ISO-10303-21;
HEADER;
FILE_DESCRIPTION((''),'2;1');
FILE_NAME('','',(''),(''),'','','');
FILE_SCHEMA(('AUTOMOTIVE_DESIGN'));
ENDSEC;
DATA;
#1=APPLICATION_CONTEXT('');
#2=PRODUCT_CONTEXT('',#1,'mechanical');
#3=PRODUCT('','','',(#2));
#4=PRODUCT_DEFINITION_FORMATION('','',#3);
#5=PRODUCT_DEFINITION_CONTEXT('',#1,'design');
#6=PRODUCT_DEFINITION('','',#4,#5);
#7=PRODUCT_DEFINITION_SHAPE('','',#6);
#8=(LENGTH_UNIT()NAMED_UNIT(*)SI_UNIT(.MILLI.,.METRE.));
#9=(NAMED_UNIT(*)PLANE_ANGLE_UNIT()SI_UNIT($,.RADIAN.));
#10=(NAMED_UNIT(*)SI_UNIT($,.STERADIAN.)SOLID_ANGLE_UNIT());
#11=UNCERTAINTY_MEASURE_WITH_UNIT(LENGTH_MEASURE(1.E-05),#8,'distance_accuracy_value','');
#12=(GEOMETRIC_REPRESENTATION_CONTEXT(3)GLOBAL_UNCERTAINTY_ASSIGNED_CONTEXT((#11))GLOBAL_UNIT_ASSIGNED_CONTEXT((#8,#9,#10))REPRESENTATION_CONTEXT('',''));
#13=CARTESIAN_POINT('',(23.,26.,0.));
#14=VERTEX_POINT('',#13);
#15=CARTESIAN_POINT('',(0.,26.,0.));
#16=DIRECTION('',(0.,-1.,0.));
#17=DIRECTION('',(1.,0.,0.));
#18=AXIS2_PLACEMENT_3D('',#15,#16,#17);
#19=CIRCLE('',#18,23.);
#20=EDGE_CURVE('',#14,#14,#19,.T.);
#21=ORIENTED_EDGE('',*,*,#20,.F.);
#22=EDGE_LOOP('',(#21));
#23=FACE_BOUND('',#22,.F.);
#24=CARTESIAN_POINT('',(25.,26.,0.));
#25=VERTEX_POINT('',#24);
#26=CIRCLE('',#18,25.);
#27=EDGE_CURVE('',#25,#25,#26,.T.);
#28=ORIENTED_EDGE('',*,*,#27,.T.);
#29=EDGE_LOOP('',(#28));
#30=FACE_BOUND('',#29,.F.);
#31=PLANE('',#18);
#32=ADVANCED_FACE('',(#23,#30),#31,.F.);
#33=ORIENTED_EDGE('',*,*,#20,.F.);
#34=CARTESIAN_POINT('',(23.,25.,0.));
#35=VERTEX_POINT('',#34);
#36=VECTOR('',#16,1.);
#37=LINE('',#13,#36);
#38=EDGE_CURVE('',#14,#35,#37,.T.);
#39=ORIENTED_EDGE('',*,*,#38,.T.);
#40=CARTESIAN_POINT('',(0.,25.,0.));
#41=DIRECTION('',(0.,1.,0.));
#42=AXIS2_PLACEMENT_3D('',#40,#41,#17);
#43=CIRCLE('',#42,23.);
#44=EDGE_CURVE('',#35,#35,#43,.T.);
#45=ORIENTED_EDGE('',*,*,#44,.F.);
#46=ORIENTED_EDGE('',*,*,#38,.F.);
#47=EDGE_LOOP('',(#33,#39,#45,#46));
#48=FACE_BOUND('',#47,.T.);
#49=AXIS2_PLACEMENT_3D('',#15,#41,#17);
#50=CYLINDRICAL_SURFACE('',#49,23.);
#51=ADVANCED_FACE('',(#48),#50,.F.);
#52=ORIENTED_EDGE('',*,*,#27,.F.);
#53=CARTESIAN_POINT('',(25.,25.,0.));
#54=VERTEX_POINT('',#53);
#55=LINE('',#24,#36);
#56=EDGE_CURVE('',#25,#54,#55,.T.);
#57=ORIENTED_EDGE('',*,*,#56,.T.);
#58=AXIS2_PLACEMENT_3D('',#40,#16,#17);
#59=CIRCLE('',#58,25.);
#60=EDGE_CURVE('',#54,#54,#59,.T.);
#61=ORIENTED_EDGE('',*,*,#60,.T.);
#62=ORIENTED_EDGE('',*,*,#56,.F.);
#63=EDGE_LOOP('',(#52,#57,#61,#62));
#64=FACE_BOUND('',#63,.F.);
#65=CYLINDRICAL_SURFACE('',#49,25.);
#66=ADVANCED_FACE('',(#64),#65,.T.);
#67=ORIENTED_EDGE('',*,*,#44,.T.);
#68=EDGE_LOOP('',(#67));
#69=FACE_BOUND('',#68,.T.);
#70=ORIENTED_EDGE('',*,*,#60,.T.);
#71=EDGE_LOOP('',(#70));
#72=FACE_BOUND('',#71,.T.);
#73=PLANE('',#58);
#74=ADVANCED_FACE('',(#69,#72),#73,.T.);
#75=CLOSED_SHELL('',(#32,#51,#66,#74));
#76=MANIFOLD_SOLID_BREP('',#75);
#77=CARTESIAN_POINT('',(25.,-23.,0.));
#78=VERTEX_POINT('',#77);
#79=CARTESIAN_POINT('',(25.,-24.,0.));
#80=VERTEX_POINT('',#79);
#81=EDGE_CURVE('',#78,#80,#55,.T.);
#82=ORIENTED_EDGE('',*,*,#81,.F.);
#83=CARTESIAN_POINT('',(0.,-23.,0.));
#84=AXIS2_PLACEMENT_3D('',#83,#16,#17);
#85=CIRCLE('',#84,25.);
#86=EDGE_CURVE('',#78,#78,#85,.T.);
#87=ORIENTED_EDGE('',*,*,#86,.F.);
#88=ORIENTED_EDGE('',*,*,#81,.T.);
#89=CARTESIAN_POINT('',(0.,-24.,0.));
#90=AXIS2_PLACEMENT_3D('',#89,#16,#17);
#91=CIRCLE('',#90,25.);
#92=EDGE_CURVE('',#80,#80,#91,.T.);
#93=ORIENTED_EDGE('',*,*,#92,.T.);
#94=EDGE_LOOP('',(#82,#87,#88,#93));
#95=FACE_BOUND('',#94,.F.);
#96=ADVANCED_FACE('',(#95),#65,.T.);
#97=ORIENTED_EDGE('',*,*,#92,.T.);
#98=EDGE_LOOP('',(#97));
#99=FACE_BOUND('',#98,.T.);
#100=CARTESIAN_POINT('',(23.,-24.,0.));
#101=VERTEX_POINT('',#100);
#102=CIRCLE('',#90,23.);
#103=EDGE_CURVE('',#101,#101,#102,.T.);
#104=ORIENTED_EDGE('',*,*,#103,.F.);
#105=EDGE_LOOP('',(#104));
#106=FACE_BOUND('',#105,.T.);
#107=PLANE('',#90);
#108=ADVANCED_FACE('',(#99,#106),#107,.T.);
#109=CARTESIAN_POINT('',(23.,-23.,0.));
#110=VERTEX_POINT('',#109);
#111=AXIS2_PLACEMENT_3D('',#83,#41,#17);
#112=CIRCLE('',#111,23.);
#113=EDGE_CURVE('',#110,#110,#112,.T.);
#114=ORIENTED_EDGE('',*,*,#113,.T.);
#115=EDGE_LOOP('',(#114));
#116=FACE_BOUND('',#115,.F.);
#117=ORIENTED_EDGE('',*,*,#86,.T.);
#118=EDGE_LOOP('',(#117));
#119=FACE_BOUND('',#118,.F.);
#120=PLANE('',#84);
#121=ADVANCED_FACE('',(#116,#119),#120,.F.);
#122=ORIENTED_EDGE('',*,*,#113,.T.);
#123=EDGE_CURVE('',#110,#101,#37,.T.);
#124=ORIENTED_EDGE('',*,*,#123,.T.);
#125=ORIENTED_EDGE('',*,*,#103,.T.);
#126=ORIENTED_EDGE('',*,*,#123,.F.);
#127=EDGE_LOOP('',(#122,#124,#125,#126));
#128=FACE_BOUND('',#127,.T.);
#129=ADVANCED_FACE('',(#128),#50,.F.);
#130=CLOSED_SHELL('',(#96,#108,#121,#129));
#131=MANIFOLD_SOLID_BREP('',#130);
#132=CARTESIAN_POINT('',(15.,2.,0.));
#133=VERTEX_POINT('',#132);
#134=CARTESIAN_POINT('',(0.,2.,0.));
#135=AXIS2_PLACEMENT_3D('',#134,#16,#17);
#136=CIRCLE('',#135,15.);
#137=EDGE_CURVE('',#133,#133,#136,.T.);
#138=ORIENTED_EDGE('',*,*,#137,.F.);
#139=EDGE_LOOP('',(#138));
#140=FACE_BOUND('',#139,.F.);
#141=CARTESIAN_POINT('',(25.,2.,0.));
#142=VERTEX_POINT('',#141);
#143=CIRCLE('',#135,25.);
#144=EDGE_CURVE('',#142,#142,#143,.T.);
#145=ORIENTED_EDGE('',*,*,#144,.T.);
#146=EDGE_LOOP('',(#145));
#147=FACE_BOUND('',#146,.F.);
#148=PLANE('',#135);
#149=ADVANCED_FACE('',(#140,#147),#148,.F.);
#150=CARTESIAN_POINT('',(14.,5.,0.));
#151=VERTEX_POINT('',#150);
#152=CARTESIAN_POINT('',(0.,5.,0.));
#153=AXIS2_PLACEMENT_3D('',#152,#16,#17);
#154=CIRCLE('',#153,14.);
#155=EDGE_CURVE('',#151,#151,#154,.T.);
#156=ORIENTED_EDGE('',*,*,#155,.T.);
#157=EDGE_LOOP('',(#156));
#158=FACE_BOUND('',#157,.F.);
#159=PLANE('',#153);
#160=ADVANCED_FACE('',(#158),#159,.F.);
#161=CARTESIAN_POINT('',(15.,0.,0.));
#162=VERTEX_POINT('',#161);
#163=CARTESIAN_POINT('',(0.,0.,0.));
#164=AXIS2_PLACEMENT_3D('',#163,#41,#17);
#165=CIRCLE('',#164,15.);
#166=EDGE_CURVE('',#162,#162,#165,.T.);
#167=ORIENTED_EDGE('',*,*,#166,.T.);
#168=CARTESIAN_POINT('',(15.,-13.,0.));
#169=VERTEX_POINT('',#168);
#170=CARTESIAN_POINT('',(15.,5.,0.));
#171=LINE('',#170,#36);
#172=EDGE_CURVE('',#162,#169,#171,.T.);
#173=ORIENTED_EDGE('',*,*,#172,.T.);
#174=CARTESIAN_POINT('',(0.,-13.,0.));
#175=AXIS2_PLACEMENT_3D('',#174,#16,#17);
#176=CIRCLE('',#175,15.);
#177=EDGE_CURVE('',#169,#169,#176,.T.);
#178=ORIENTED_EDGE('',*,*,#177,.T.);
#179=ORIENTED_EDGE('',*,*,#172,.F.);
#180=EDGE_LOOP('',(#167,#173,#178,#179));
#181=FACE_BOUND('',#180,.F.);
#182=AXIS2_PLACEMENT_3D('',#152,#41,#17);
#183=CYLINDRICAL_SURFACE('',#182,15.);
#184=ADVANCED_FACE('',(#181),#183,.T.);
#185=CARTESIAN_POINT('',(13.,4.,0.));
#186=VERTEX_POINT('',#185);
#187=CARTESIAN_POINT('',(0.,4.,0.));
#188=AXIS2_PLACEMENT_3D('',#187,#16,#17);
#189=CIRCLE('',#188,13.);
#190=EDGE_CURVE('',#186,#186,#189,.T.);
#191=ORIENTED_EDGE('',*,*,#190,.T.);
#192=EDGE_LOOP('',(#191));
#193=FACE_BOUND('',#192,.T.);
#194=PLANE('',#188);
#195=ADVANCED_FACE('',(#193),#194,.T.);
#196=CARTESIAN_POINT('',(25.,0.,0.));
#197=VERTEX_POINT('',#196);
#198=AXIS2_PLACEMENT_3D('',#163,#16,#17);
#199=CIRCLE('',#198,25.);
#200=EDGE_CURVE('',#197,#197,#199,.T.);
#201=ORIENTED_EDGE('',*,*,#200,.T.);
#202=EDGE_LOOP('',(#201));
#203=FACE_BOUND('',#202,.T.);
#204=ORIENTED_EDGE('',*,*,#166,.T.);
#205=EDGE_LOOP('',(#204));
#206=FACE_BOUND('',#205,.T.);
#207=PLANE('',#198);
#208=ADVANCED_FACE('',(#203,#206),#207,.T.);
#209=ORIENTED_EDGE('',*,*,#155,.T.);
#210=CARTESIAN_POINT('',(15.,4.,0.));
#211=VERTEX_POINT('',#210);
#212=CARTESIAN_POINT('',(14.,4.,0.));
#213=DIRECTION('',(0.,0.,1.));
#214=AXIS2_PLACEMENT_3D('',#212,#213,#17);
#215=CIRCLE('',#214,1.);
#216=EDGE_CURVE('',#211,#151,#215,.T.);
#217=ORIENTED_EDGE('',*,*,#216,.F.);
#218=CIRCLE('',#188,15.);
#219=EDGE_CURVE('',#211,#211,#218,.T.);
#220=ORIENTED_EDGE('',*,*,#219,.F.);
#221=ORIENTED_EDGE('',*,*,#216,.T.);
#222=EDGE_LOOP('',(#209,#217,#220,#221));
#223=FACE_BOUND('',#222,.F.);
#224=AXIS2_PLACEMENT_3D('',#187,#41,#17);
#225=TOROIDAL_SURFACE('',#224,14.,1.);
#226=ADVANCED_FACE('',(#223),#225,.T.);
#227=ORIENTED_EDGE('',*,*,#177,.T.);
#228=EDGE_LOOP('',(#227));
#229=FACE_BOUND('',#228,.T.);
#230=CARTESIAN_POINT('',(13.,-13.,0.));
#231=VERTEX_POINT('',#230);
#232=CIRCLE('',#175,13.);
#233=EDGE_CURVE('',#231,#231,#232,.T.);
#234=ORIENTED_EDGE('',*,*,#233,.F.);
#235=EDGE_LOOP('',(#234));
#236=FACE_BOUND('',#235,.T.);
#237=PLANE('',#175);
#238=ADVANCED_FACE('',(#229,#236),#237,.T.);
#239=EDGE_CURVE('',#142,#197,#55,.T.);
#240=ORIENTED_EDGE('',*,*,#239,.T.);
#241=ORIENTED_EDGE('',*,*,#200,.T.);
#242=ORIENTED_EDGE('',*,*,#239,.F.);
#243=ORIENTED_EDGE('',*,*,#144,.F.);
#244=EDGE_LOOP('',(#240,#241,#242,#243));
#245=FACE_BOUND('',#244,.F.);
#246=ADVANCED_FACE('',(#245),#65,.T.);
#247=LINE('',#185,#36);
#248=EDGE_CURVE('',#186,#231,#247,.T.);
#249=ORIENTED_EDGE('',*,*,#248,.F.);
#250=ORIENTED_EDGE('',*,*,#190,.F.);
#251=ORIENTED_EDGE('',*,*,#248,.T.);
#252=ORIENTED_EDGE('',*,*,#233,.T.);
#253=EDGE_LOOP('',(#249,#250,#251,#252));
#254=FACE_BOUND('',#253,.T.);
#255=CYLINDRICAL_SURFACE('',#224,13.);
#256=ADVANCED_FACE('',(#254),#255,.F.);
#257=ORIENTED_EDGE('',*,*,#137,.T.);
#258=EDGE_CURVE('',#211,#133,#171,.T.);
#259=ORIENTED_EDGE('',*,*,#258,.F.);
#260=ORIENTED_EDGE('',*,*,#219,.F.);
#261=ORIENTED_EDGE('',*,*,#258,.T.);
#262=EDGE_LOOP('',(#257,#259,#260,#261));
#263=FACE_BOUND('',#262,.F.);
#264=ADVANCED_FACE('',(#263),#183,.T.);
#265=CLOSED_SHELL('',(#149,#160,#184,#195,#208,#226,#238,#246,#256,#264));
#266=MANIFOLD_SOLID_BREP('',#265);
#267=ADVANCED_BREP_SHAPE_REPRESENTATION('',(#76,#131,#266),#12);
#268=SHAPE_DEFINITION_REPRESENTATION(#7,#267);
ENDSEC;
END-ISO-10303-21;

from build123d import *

# Parameters (mm, degrees)
CYLINDER007_R          = 15
CYLINDER007_DEPTH      = 10
CYLINDER007_ROLL_ANGLE = -90
CYLINDER006_R          = 25
CYLINDER006_DEPTH      = 2
CYLINDER006_ROLL_ANGLE = 90
CYLINDER001_R          = 13
CYLINDER001_DEPTH      = 17
CYLINDER001_ROLL_ANGLE = 90
CYLINDER_R             = 15
CYLINDER_DEPTH         = 18
CYLINDER_ROLL_ANGLE    = 90
FILLET001_R            = 1
CYLINDER005_R          = 25
CYLINDER005_DEPTH      = 23
CYLINDER005_ROLL_ANGLE = 90
CYLINDER004_R          = 25
CYLINDER004_DEPTH      = 23
CYLINDER004_ROLL_ANGLE = 90
CYLINDER003_R          = 23
CYLINDER003_DEPTH      = 50
CYLINDER003_ROLL_ANGLE = 90
CYLINDER002_R          = 25
CYLINDER002_DEPTH      = 50
CYLINDER002_ROLL_ANGLE = 90


with BuildPart() as cylinder007:
    # Cylinder007 → Cylinder007 (new body)
    with BuildSketch(Plane.XY):
        Circle(CYLINDER007_R)
    extrude(amount=CYLINDER007_DEPTH)


with BuildPart() as cylinder007_1:
    # Cylinder007 roll: moved
    add(cylinder007.part.rotate(Axis((0, 0, 0), (1, 0, 0)), CYLINDER007_ROLL_ANGLE))


with BuildPart() as cylinder007_2:
    # Cylinder007 placement: moved
    add(cylinder007_1.part)


with BuildPart() as cut004:
    # Cylinder006 → Cylinder006 (new body)
    with BuildSketch(Plane.XY):
        Circle(CYLINDER006_R)
    extrude(amount=CYLINDER006_DEPTH)


with BuildPart() as cut004_1:
    # Cylinder006 roll: moved
    add(cut004.part.rotate(Axis((0, 0, 0), (1, 0, 0)), CYLINDER006_ROLL_ANGLE))


with BuildPart() as cut004_2:
    # Cylinder006 placement: moved
    add(cut004_1.part.moved(Location((0, 2, 0))))

    # Cut004: cut Cylinder007
    add(cylinder007_2.part, mode=Mode.SUBTRACT)


with BuildPart() as cylinder001:
    # Cylinder001 → Cylinder001 (new body)
    with BuildSketch(Plane.XY):
        Circle(CYLINDER001_R)
    extrude(amount=CYLINDER001_DEPTH)


with BuildPart() as cylinder001_1:
    # Cylinder001 roll: moved
    add(cylinder001.part.rotate(Axis((0, 0, 0), (1, 0, 0)), CYLINDER001_ROLL_ANGLE))


with BuildPart() as cylinder001_2:
    # Cylinder001 placement: moved
    add(cylinder001_1.part.moved(Location((0, 4, 0))))


with BuildPart() as fusion002:
    # Cylinder → Cylinder (new body)
    with BuildSketch(Plane.XY):
        Circle(CYLINDER_R)
    extrude(amount=CYLINDER_DEPTH)


with BuildPart() as fusion002_1:
    # Cylinder roll: moved
    add(fusion002.part.rotate(Axis((0, 0, 0), (1, 0, 0)), CYLINDER_ROLL_ANGLE))


with BuildPart() as fusion002_2:
    # Cylinder placement: moved
    add(fusion002_1.part.moved(Location((0, 5, 0))))

    # Cut: cut Cylinder001
    add(cylinder001_2.part, mode=Mode.SUBTRACT)

    # Fillet001
    fillet001_edges = [fusion002_2.edges().sort_by_distance(p)[0] for p in [
        (-15, 5, 0),
    ]]
    fillet(fillet001_edges, radius=FILLET001_R)

    # Fusion002: union Cut004
    add(cut004_2.part)


with BuildPart() as cylinder005:
    # Cylinder005 → Cylinder005 (new body)
    with BuildSketch(Plane.XY):
        Circle(CYLINDER005_R)
    extrude(amount=CYLINDER005_DEPTH)


with BuildPart() as cylinder005_1:
    # Cylinder005 roll: moved
    add(cylinder005.part.rotate(Axis((0, 0, 0), (1, 0, 0)), CYLINDER005_ROLL_ANGLE))


with BuildPart() as cylinder005_2:
    # Cylinder005 placement: moved
    add(cylinder005_1.part)


with BuildPart() as cylinder004:
    # Cylinder004 → Cylinder004 (new body)
    with BuildSketch(Plane.XY):
        Circle(CYLINDER004_R)
    extrude(amount=CYLINDER004_DEPTH)


with BuildPart() as cylinder004_1:
    # Cylinder004 roll: moved
    add(cylinder004.part.rotate(Axis((0, 0, 0), (1, 0, 0)), CYLINDER004_ROLL_ANGLE))


with BuildPart() as cylinder004_2:
    # Cylinder004 placement: moved
    add(cylinder004_1.part.moved(Location((0, 25, 0))))


with BuildPart() as cylinder003:
    # Cylinder003 → Cylinder003 (new body)
    with BuildSketch(Plane.XY):
        Circle(CYLINDER003_R)
    extrude(amount=CYLINDER003_DEPTH)


with BuildPart() as cylinder003_1:
    # Cylinder003 roll: moved
    add(cylinder003.part.rotate(Axis((0, 0, 0), (1, 0, 0)), CYLINDER003_ROLL_ANGLE))


with BuildPart() as cylinder003_2:
    # Cylinder003 placement: moved
    add(cylinder003_1.part.moved(Location((0, 26, 0))))


with BuildPart() as fusion003:
    # Cylinder002 → Cylinder002 (new body)
    with BuildSketch(Plane.XY):
        Circle(CYLINDER002_R)
    extrude(amount=CYLINDER002_DEPTH)


with BuildPart() as fusion003_1:
    # Cylinder002 roll: moved
    add(fusion003.part.rotate(Axis((0, 0, 0), (1, 0, 0)), CYLINDER002_ROLL_ANGLE))


with BuildPart() as fusion003_2:
    # Cylinder002 placement: moved
    add(fusion003_1.part.moved(Location((0, 26, 0))))

    # Cut001: cut Cylinder003
    add(cylinder003_2.part, mode=Mode.SUBTRACT)

    # Cut002: cut Cylinder004
    add(cylinder004_2.part, mode=Mode.SUBTRACT)

    # Cut003: cut Cylinder005
    add(cylinder005_2.part, mode=Mode.SUBTRACT)

    # Fusion003: union Fusion002
    add(fusion002_2.part)


solid = fusion003_2.part
